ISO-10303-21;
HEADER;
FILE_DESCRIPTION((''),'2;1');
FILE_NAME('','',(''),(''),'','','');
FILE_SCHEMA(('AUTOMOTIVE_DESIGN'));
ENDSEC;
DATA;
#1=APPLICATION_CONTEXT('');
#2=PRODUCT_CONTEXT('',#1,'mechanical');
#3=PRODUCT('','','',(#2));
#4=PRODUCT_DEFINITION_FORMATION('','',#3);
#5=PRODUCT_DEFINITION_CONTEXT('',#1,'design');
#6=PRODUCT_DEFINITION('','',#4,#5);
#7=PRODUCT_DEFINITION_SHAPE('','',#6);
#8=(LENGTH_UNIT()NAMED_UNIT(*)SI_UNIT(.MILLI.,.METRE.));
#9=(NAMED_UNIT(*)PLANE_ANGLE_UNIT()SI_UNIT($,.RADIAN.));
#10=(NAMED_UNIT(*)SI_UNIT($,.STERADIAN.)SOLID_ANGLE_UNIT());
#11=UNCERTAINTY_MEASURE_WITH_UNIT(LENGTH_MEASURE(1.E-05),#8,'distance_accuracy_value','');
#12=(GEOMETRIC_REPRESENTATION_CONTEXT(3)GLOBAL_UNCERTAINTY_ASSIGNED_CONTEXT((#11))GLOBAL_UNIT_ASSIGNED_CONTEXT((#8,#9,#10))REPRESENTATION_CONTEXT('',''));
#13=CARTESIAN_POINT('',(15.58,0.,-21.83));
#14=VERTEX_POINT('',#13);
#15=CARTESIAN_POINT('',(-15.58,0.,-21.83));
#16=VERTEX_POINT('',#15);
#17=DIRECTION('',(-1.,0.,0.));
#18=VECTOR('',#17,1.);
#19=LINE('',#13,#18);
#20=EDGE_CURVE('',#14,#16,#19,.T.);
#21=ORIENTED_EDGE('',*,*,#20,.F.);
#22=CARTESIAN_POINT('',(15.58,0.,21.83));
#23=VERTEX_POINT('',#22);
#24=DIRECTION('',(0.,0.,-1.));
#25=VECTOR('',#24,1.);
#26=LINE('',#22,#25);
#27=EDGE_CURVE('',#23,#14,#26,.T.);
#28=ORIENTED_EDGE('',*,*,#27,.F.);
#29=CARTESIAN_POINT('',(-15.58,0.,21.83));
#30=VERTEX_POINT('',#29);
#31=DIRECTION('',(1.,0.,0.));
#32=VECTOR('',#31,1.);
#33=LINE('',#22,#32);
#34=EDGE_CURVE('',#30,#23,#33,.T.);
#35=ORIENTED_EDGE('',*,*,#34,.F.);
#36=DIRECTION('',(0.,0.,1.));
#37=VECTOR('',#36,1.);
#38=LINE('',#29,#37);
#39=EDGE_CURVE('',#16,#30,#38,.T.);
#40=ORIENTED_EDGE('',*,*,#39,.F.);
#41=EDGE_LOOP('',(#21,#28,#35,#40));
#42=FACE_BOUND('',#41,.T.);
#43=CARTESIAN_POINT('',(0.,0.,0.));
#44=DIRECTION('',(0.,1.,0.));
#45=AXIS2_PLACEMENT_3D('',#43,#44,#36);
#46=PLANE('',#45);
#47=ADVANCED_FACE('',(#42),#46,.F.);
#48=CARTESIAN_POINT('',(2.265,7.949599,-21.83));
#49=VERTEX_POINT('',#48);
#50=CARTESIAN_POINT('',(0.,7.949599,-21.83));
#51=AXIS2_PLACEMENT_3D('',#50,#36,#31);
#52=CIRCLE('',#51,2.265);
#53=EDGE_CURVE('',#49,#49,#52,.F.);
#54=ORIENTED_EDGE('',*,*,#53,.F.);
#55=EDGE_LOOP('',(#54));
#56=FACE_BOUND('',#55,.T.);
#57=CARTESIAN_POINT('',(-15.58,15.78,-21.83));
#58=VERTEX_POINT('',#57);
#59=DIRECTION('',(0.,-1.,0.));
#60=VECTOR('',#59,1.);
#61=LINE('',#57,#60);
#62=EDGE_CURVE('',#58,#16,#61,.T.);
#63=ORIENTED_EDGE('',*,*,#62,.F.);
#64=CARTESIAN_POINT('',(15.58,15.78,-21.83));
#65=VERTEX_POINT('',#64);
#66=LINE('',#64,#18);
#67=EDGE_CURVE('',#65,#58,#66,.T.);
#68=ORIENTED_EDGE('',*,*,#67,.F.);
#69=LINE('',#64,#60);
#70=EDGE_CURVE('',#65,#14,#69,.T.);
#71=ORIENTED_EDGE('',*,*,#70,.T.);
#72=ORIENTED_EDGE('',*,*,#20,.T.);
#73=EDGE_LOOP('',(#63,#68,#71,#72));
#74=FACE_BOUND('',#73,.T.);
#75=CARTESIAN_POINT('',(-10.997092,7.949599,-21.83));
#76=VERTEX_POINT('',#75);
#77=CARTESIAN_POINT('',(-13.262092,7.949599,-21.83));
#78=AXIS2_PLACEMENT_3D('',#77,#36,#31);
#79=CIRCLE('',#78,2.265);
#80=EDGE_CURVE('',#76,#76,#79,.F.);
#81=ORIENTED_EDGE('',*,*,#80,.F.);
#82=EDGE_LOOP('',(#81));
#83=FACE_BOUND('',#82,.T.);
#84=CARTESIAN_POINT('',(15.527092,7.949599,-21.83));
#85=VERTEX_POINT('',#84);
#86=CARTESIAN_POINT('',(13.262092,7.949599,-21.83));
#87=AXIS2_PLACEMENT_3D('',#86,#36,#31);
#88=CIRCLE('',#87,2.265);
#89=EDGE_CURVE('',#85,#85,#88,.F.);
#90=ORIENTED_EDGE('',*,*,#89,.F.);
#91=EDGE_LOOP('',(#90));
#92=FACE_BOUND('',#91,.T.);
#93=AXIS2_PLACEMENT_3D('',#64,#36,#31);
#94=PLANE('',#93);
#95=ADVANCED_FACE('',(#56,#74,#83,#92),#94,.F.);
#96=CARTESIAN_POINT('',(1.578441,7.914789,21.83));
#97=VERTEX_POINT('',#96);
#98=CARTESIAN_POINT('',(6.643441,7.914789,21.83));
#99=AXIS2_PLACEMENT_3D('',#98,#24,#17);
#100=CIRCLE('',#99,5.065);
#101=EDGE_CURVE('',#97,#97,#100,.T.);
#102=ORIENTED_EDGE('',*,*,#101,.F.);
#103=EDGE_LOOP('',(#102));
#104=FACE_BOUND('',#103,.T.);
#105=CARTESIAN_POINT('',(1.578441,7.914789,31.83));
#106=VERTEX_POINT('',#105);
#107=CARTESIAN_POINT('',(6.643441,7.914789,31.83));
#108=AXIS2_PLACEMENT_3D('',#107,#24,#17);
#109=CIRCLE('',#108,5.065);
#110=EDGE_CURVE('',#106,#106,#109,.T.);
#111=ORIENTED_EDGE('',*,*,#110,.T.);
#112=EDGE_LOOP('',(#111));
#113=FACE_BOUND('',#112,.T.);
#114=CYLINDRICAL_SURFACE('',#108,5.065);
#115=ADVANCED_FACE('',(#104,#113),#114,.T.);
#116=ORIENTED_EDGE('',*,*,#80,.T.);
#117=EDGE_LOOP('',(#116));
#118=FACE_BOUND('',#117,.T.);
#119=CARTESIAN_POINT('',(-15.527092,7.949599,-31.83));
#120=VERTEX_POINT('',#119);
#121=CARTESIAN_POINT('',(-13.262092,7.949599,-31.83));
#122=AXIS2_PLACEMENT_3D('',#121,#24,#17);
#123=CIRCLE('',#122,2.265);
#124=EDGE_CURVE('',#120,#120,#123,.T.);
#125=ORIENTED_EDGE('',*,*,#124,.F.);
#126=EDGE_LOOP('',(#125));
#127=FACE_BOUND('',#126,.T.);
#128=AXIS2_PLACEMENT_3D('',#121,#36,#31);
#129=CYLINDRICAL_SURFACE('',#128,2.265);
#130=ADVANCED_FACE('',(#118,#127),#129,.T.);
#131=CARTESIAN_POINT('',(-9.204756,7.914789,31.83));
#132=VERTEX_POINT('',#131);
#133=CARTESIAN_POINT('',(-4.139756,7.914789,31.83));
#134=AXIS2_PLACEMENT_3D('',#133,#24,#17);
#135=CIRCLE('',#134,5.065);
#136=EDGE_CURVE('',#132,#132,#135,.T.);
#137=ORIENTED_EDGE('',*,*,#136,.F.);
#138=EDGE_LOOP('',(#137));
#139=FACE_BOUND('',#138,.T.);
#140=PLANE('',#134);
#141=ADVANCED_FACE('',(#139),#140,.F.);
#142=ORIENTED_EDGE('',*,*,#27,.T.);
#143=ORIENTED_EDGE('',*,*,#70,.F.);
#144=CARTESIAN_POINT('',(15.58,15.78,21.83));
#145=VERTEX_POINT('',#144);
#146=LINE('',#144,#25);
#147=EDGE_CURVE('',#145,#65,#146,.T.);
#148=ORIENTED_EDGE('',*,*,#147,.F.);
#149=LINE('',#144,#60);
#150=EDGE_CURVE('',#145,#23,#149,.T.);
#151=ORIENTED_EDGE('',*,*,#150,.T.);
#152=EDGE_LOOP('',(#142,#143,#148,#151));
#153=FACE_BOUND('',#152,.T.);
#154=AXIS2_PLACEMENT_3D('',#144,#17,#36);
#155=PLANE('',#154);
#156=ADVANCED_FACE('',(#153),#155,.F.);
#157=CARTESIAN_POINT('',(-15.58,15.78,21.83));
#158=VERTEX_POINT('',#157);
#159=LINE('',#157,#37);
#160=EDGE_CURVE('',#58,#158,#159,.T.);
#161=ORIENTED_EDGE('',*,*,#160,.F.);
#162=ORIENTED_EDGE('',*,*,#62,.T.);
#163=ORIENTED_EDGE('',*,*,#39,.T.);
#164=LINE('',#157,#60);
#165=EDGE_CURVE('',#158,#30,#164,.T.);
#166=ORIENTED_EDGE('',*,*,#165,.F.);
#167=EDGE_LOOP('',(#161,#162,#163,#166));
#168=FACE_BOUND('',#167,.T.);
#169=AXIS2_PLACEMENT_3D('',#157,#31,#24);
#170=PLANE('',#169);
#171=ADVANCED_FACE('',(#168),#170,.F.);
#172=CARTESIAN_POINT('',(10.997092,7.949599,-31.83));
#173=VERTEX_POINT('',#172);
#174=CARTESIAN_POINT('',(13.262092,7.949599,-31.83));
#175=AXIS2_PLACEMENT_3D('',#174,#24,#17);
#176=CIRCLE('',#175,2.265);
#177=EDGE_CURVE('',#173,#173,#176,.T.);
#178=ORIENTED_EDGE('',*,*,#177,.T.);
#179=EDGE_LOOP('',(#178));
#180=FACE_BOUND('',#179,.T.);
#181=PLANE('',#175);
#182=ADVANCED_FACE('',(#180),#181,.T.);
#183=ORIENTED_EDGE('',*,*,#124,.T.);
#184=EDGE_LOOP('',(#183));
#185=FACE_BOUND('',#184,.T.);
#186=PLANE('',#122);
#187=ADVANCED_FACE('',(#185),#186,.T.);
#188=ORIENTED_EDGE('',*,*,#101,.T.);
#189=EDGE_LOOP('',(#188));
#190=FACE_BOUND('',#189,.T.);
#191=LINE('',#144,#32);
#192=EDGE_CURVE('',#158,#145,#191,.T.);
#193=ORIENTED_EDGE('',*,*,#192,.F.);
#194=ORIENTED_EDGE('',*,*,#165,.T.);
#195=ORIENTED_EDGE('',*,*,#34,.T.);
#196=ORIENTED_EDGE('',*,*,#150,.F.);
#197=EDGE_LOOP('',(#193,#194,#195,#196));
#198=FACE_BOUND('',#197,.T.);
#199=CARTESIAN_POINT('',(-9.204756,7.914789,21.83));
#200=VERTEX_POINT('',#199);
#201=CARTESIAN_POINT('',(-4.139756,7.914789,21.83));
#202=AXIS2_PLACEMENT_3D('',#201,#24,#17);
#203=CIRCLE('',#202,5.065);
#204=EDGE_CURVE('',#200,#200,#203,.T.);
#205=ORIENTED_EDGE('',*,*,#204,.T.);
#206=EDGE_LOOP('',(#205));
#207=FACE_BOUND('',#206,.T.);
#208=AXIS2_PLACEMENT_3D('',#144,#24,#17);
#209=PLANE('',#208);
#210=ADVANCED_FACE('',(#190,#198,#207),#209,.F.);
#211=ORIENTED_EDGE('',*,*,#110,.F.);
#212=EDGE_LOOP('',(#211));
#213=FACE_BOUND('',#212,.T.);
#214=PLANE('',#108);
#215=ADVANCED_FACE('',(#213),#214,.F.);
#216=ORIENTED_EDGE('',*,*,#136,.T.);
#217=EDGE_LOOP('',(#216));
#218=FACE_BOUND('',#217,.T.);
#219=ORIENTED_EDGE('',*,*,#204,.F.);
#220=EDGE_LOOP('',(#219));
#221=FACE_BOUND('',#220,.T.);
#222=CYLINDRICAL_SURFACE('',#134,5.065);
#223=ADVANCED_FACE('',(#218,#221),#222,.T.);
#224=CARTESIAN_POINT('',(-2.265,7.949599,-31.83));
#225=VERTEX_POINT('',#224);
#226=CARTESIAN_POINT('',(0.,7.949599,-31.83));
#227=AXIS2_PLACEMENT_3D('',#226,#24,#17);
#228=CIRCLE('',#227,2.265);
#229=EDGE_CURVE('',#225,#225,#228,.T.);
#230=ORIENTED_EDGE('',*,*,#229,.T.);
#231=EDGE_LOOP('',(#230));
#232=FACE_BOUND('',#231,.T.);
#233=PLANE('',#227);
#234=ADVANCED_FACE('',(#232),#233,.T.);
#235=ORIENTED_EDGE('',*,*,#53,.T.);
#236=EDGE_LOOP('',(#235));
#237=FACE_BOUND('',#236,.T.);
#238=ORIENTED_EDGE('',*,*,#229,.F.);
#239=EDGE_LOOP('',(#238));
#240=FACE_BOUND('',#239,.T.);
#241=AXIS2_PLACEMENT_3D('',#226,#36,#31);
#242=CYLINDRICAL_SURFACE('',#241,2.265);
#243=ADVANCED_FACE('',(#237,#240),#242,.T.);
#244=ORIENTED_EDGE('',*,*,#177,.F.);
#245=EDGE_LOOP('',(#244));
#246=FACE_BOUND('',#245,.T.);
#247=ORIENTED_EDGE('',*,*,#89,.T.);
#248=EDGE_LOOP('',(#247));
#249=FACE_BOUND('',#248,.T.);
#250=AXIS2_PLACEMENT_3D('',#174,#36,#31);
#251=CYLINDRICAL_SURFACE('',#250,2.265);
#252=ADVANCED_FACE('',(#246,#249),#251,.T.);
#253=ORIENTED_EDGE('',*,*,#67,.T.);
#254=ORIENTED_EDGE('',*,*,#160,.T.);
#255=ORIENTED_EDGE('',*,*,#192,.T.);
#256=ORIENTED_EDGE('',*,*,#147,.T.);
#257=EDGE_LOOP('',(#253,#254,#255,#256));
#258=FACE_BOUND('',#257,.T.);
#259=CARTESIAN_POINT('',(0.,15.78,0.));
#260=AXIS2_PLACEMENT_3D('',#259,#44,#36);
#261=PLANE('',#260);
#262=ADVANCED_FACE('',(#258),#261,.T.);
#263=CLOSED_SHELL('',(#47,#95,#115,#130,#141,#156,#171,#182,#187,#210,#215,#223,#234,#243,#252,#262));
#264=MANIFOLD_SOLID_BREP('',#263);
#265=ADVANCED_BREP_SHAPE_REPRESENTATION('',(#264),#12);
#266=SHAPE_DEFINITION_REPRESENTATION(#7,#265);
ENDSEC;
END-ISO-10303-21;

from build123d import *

# Parameters (mm, degrees)
SKETCH5_W           = 31.16
SKETCH5_H           = 43.66
BOSS_EXTRUDE2_DEPTH = 15.78
BOSS_EXTRUDE3_START = 21.83
SKETCH6_R           = 5.065
BOSS_EXTRUDE3_DEPTH = 10
SKETCH7_R           = 2.265
BOSS_EXTRUDE4_DEPTH = 10


with BuildPart() as part:
    # Sketch5 → Boss-Extrude2 (new body)
    with BuildSketch(Plane(origin=(0, 0, 0), x_dir=(1, 0, 0), z_dir=(0, 1, 0))):
        Rectangle(SKETCH5_W, SKETCH5_H)
    extrude(amount=BOSS_EXTRUDE2_DEPTH)

    # Sketch6 → Boss-Extrude3 (add)
    with BuildSketch(Plane.XY.offset(BOSS_EXTRUDE3_START)):
        with Locations((-4.139755926, 7.914788958)):
            Circle(SKETCH6_R)
        with Locations((6.643440648, 7.914788958)):
            Circle(SKETCH6_R)
    extrude(amount=BOSS_EXTRUDE3_DEPTH)

    # Sketch7 → Boss-Extrude4 (add)
    with BuildSketch(Plane(origin=(0, 0, -21.83), x_dir=(-1, 0, 0), z_dir=(0, 0, -1))):
        with Locations((-13.262092339, 7.949599191)):
            Circle(SKETCH7_R)
        with Locations((0, 7.949599191)):
            Circle(SKETCH7_R)
        with Locations((13.262092339, 7.949599191)):
            Circle(SKETCH7_R)
    extrude(amount=BOSS_EXTRUDE4_DEPTH)


solid = part.part
